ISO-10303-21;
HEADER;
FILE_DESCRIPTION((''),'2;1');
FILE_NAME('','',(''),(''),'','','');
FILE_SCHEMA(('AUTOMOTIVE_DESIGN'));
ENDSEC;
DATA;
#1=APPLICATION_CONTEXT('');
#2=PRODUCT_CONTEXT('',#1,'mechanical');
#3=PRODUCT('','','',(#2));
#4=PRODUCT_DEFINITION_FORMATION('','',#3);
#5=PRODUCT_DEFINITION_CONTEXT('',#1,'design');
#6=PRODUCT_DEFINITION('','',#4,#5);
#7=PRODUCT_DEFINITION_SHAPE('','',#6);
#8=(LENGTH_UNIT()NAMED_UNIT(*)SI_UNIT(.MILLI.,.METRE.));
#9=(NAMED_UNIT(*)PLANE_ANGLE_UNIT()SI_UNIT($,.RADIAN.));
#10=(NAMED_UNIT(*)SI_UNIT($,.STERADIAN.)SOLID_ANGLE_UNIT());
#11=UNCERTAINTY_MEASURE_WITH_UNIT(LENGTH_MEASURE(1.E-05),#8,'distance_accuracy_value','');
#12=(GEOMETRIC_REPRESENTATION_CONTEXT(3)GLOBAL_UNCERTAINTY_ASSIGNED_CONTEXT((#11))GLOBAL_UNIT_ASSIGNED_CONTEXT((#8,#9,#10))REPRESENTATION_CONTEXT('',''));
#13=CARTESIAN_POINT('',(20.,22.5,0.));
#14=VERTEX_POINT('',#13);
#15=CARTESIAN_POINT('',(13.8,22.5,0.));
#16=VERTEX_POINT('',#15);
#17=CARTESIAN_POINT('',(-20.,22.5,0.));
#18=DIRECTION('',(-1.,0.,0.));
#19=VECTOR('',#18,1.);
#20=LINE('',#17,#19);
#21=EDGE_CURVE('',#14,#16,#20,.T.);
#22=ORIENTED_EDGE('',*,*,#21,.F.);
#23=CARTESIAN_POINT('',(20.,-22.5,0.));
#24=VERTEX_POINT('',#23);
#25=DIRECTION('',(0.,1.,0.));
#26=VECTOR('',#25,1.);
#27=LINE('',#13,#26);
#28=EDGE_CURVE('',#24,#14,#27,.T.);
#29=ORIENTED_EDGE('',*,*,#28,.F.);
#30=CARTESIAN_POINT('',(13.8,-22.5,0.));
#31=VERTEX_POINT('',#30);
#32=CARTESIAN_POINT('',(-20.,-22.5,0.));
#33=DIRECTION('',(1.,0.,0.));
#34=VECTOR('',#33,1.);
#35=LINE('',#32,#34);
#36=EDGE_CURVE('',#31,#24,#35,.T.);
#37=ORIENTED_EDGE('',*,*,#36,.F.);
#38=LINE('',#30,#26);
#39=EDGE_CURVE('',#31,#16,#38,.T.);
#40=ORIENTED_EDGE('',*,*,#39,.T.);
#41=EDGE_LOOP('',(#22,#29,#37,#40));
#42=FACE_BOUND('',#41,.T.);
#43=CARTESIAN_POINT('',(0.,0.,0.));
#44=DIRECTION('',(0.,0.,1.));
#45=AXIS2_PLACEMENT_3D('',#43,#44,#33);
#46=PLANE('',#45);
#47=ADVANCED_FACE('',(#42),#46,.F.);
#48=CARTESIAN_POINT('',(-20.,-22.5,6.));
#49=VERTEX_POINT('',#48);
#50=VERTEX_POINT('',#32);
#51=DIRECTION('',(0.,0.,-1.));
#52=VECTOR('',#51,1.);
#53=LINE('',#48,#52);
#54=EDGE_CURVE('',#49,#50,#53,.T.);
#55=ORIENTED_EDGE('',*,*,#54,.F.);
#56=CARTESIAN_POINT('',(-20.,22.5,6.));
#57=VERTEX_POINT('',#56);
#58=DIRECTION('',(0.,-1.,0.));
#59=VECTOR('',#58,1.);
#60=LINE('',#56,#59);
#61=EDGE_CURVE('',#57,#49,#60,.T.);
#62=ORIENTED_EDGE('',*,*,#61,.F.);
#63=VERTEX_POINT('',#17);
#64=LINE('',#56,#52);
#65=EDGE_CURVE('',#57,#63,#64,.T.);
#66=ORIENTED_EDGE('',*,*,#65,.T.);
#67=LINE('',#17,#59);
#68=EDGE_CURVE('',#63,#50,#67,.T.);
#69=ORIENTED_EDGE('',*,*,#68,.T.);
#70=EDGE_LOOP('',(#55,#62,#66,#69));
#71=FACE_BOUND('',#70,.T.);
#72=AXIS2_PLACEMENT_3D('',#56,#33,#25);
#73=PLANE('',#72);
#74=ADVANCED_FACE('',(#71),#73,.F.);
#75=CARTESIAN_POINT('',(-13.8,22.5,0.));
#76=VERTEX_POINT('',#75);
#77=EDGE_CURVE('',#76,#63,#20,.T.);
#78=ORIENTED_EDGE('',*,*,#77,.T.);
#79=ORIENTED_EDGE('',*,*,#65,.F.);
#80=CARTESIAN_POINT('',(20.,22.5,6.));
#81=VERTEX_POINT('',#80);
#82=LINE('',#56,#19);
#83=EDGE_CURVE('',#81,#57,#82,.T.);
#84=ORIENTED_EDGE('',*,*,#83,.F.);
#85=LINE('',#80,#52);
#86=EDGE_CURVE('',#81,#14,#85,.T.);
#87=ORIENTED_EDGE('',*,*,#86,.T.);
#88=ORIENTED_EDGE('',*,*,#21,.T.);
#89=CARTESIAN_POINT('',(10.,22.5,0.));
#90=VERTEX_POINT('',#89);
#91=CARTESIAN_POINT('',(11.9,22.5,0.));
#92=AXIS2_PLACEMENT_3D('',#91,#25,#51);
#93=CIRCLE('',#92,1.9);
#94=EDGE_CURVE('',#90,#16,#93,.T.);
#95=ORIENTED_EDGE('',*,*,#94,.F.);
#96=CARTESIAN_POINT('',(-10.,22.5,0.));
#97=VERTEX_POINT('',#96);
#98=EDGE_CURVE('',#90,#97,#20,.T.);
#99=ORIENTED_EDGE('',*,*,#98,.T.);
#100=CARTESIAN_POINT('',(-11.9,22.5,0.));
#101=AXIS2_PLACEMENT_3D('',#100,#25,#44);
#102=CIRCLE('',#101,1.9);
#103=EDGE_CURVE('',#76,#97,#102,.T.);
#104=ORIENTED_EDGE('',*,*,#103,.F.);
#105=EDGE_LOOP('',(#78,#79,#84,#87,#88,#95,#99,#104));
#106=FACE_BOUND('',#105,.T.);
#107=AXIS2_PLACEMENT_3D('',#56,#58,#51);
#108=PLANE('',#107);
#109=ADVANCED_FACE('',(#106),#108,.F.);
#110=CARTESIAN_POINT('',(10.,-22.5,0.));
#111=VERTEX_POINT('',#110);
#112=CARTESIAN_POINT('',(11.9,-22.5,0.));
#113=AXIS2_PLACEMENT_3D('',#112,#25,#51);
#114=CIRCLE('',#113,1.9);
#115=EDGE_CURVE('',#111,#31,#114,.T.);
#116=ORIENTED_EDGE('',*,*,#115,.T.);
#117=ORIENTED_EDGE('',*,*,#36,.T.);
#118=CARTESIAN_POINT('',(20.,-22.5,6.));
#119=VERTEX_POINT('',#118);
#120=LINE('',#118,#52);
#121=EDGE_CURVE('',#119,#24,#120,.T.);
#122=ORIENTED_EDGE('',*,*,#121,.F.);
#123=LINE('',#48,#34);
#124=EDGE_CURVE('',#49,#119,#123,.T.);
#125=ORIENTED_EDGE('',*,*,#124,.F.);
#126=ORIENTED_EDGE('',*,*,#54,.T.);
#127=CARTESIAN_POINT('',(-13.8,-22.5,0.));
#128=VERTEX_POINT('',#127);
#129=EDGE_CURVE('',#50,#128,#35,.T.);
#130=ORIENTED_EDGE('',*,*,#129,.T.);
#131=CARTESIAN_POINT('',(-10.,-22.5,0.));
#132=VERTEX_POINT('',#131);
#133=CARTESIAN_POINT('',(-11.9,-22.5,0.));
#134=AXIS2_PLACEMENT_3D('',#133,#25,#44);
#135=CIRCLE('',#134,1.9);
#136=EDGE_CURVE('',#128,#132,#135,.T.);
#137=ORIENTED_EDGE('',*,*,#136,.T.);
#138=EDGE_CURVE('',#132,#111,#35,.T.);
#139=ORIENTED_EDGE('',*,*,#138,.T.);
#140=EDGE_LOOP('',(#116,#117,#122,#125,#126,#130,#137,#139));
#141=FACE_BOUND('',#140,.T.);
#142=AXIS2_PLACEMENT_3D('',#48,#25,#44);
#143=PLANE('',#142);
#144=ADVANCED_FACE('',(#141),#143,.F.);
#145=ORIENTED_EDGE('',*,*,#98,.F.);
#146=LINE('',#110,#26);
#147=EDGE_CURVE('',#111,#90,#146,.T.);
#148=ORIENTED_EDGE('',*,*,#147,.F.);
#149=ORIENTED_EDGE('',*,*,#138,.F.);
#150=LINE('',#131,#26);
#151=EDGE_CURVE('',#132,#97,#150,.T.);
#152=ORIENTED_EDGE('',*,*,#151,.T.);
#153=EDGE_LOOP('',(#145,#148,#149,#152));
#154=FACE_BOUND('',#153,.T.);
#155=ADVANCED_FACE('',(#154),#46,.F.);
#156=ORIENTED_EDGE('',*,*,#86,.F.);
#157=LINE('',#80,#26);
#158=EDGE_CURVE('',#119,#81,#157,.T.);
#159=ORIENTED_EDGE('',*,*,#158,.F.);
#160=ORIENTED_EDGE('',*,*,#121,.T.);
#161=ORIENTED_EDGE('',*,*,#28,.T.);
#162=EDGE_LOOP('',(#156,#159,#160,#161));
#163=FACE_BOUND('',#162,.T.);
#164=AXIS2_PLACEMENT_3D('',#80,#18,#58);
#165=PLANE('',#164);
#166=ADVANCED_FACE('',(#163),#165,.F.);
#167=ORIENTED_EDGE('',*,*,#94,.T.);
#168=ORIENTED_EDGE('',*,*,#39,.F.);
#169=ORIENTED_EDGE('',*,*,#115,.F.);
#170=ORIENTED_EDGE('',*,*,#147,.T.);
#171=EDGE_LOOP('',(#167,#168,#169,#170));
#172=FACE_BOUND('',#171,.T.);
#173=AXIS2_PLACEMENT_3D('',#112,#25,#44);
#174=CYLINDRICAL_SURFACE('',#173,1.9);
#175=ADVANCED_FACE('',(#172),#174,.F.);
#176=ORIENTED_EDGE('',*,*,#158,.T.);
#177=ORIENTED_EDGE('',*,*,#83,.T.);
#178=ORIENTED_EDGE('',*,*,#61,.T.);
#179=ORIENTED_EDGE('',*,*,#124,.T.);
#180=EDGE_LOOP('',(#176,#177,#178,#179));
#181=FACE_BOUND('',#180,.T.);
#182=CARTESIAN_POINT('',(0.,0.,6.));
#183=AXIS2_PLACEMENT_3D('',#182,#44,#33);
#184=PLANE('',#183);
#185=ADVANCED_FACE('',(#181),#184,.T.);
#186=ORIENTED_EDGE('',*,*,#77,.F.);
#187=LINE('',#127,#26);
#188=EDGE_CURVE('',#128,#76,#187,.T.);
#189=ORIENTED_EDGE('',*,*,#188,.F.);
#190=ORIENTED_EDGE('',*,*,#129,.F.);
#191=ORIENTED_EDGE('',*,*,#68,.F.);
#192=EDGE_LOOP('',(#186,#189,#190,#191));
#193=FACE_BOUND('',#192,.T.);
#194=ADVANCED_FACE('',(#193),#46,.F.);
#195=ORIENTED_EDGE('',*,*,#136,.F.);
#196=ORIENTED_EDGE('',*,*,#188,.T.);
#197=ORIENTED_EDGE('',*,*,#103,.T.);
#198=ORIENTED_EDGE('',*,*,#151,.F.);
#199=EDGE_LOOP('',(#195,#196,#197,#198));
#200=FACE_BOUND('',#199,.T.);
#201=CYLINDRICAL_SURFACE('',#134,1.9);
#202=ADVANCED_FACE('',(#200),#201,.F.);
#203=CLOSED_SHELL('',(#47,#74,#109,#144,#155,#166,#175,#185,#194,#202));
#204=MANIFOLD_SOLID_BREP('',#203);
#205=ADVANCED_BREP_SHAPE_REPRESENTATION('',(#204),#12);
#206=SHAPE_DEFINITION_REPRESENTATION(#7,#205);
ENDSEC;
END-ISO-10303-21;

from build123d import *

# Parameters (mm, degrees)
SKETCH1_W          = 40
SKETCH1_H          = 45
BASE_DEPTH         = 6
WIRE_GROOVES_DEPTH = 50.608467019


with BuildPart() as part:
    # Sketch1 → Base (new body)
    with BuildSketch(Plane.XY):
        Rectangle(SKETCH1_W, SKETCH1_H)
    extrude(amount=BASE_DEPTH)

    # Sketch2 → Wire Grooves (cut, through all)
    with BuildSketch(Plane(origin=(0, 22.5, 0), x_dir=(1, 0, 0), z_dir=(0, 1, 0))):
        with BuildLine():
            Line((-13.8, 0), (-10, 0))
            ThreePointArc((-10, 0), (-11.9, -1.9), (-13.8, 0))
        make_face()
        with BuildLine():
            Line((13.8, 0), (10, 0))
            ThreePointArc((10, 0), (11.9, -1.9), (13.8, 0))
        make_face()
    extrude(amount=-WIRE_GROOVES_DEPTH, mode=Mode.SUBTRACT)


solid = part.part
